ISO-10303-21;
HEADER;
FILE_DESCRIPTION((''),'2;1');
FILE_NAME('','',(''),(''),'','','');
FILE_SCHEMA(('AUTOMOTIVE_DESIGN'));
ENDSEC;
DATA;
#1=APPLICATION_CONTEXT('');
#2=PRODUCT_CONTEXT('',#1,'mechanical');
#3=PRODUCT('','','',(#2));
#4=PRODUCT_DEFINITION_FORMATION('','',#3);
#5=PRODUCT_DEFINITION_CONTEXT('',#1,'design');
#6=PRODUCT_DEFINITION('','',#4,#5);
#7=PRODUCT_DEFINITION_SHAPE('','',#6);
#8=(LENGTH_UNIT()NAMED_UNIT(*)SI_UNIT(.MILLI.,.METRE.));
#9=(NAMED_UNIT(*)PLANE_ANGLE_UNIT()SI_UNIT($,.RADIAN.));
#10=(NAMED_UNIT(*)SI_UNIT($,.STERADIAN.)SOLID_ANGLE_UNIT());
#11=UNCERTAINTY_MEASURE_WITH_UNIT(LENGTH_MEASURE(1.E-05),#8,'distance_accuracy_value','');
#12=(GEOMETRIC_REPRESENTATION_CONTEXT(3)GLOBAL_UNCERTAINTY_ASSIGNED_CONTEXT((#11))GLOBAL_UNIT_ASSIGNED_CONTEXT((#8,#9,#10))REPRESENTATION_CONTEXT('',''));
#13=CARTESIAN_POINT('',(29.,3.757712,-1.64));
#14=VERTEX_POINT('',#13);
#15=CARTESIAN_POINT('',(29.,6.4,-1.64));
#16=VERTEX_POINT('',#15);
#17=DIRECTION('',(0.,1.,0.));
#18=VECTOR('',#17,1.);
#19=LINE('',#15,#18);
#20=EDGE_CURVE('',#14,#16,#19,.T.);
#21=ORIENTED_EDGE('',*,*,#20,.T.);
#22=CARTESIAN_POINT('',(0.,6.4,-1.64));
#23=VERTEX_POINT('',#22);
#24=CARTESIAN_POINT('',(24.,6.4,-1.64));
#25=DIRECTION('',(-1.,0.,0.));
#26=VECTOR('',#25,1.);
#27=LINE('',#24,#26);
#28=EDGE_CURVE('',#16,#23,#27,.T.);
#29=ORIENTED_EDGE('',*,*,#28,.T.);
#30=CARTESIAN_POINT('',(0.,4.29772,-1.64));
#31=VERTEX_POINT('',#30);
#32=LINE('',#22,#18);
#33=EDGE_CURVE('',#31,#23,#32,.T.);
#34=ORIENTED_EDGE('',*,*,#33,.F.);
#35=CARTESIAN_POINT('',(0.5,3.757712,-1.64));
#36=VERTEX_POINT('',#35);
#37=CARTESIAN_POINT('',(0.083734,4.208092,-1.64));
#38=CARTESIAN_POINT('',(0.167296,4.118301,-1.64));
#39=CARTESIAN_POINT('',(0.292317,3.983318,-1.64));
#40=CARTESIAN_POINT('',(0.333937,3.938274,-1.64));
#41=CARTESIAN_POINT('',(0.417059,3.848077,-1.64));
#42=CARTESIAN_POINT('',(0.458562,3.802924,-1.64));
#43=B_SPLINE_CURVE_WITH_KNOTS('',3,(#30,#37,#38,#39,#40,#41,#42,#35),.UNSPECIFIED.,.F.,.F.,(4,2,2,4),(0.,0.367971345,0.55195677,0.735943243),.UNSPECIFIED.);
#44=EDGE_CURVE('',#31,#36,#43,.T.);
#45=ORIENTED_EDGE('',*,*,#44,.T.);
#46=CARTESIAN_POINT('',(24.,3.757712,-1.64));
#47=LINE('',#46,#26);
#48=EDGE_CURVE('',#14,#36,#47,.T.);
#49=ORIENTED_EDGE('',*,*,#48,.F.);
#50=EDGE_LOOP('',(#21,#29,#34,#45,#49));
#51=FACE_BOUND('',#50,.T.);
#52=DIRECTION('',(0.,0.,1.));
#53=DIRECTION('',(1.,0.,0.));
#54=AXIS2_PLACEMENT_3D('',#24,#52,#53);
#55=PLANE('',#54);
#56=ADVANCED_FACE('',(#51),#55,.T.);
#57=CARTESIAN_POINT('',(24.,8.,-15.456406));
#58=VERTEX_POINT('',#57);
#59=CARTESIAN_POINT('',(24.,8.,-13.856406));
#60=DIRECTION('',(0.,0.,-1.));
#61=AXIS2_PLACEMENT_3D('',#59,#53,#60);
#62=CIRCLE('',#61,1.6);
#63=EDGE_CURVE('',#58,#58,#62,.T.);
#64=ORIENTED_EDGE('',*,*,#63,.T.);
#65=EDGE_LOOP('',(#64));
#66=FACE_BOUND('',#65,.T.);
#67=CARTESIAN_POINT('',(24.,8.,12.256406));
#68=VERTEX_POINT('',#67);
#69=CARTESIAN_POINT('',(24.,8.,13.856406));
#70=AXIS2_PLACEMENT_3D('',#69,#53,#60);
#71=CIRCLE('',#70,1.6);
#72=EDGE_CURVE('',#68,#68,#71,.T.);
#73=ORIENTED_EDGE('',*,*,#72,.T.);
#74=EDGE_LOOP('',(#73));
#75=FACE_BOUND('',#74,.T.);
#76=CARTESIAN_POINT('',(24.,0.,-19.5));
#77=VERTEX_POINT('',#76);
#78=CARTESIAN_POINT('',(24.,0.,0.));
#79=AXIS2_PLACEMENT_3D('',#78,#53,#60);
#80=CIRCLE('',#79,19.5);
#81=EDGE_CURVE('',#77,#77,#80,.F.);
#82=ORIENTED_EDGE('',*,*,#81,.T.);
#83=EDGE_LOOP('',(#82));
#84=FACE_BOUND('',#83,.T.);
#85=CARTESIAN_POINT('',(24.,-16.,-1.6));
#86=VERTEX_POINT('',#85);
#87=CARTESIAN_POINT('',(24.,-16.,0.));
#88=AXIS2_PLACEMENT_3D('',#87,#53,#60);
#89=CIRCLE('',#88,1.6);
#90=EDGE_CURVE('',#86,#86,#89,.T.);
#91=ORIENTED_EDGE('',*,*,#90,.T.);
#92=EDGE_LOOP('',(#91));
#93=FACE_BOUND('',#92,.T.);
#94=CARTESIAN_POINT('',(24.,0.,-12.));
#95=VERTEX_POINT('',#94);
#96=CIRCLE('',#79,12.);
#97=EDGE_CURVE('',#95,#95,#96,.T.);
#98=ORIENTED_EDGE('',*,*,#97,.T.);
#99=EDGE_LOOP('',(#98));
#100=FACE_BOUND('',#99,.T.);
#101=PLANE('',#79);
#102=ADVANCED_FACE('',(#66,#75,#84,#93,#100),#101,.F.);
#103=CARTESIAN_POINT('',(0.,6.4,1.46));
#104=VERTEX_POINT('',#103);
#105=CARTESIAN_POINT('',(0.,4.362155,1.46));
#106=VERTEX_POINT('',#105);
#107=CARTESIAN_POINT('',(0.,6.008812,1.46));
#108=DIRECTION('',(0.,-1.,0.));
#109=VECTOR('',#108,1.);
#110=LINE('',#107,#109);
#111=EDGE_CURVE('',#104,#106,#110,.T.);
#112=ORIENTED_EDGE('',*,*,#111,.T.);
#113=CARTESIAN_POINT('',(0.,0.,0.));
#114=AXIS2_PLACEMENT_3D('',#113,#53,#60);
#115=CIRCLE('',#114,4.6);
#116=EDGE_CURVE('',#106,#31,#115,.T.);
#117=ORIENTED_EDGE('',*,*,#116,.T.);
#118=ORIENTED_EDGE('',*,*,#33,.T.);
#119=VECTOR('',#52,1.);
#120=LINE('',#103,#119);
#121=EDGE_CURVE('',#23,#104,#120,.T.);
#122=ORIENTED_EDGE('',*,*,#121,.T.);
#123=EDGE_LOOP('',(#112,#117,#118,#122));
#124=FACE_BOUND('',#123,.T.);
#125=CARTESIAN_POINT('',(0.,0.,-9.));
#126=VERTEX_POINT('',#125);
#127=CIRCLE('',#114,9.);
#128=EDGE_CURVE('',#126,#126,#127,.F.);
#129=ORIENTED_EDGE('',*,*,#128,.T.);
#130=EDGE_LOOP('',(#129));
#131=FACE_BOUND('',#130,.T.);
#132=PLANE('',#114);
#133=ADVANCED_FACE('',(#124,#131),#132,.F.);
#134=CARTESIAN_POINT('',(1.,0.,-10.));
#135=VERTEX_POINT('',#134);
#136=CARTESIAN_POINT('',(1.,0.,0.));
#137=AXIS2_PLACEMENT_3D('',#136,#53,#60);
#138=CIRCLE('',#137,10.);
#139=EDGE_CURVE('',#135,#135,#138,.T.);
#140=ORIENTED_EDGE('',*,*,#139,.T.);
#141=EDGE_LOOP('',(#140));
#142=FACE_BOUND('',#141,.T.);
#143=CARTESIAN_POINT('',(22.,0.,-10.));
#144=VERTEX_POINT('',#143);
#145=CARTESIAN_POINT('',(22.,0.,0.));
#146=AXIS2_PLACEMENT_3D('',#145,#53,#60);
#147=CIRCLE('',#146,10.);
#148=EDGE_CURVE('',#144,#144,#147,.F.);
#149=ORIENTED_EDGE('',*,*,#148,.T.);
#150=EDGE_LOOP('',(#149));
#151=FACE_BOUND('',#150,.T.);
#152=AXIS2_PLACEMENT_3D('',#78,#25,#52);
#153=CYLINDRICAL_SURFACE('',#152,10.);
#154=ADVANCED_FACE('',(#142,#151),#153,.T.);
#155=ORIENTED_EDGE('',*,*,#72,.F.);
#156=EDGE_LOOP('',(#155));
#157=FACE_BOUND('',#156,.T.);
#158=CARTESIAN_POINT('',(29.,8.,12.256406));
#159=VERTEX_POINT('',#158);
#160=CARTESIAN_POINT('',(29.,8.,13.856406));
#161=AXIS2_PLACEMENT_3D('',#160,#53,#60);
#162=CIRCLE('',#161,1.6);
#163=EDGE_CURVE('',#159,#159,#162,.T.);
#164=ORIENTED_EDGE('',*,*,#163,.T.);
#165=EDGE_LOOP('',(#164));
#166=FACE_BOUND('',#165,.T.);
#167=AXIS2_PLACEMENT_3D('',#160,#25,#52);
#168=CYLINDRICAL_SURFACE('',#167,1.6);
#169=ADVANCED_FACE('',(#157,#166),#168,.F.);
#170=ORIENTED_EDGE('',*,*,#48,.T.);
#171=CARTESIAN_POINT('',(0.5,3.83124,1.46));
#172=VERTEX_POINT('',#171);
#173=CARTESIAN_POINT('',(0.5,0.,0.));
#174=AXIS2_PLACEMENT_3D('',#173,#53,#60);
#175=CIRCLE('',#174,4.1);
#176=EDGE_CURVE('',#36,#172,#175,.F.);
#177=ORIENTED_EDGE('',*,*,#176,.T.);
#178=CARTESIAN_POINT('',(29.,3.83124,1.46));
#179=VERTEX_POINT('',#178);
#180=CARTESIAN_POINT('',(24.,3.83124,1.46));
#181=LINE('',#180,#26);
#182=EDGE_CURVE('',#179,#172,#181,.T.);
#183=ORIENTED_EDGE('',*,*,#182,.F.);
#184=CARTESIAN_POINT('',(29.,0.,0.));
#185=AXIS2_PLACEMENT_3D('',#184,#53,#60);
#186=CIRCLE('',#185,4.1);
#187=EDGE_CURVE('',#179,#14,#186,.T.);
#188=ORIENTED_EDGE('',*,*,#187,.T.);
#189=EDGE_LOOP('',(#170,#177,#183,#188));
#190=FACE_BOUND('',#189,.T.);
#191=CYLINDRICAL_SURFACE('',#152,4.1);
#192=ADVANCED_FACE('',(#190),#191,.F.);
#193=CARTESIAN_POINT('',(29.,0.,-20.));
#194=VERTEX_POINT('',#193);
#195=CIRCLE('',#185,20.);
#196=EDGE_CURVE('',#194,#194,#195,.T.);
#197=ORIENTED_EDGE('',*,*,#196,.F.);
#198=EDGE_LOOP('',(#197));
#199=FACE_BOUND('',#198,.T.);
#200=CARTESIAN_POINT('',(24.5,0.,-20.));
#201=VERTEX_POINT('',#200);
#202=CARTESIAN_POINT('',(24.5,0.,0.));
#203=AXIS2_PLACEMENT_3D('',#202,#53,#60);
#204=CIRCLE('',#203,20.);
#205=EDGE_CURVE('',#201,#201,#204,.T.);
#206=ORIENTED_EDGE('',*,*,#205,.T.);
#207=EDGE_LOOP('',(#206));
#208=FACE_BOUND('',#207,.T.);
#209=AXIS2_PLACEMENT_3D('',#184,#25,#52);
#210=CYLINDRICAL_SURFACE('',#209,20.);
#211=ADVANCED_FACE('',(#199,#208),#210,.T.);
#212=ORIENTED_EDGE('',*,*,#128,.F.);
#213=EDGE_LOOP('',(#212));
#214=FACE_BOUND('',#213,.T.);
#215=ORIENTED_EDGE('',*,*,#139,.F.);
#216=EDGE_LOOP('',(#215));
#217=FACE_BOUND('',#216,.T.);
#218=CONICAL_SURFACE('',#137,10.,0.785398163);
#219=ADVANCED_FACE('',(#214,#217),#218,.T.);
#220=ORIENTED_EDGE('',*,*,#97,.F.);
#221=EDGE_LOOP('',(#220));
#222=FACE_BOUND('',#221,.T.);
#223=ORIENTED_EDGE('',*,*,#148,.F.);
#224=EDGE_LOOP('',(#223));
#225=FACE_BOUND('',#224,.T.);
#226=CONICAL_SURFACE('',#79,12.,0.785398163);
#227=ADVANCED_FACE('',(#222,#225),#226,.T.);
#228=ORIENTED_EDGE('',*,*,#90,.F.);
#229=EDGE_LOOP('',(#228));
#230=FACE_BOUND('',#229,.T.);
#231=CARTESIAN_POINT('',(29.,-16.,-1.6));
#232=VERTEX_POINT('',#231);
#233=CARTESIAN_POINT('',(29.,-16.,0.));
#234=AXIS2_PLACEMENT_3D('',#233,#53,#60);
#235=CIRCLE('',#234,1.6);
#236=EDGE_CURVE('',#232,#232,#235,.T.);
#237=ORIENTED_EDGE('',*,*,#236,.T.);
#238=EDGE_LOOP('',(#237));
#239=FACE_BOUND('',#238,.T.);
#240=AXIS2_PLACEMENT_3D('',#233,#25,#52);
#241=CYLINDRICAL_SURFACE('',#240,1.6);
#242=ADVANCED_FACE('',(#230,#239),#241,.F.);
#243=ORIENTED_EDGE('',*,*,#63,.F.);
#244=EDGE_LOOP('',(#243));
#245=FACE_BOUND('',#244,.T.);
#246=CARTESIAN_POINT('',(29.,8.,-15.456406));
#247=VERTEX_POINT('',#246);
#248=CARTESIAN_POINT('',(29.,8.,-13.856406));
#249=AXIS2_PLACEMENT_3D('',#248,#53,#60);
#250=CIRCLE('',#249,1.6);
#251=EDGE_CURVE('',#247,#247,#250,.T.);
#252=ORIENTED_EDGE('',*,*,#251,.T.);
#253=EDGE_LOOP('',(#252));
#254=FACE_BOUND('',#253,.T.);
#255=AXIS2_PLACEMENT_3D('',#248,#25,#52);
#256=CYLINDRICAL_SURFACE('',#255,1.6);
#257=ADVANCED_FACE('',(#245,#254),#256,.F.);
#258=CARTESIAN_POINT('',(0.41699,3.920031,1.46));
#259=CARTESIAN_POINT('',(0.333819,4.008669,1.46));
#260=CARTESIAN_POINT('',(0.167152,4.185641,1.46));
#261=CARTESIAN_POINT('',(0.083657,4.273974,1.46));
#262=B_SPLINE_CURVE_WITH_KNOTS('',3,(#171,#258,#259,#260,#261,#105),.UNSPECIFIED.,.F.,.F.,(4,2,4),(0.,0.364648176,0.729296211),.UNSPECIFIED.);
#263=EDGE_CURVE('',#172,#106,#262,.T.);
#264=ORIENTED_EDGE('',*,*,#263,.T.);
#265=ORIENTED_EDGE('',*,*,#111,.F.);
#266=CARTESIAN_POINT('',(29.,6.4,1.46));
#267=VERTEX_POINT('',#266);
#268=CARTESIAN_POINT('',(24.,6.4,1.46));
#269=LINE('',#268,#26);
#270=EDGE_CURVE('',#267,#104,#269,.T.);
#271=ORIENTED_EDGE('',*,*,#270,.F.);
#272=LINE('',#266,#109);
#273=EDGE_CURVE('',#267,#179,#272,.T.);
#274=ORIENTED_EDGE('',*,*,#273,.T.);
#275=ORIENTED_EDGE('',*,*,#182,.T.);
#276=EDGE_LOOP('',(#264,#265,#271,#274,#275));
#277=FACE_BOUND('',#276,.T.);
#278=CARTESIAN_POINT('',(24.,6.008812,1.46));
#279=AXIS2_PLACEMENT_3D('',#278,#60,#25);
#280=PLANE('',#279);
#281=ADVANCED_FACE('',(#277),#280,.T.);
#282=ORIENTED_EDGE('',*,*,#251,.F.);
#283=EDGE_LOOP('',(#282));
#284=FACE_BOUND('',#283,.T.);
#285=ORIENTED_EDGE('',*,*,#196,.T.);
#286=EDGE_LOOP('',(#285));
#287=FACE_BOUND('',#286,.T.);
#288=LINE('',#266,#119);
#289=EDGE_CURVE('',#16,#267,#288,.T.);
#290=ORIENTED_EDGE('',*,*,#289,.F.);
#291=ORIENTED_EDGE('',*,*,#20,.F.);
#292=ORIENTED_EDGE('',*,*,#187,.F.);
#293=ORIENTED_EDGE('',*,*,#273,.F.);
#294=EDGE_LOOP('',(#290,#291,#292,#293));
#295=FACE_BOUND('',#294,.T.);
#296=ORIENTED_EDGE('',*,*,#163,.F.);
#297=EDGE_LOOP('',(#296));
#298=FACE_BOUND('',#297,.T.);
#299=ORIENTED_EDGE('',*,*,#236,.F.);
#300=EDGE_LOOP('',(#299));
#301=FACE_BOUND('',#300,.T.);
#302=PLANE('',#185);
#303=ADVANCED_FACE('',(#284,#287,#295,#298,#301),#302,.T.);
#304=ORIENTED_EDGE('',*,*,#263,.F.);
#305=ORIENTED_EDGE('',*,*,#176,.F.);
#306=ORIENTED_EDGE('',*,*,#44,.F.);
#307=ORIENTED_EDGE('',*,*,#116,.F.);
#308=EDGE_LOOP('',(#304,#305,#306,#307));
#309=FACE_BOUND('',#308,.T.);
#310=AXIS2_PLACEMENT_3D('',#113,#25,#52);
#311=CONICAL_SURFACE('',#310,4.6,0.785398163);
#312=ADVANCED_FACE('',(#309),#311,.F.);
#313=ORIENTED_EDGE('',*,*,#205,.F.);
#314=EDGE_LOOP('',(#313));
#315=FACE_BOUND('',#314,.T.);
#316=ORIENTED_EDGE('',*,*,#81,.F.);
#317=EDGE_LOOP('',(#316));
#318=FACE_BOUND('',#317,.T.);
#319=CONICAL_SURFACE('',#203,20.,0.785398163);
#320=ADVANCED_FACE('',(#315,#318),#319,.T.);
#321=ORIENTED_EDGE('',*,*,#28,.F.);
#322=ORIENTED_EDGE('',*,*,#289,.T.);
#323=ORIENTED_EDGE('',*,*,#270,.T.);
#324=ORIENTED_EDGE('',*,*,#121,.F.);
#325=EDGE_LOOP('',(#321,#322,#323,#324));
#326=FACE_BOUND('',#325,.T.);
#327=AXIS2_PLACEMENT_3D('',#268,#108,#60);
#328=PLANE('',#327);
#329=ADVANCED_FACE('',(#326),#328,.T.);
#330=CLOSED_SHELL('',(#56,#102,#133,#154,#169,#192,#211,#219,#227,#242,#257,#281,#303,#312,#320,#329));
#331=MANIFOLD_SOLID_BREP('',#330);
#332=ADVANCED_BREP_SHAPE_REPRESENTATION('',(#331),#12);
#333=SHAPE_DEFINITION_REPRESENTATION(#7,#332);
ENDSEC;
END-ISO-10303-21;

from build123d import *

# Parameters (mm, degrees)
SKETCH_1_R          = 10
EXTRUDE_1_DEPTH     = 24
SKETCH_2_R          = 20
SKETCH_2_R_2        = 1.6
EXTRUDE_2_DEPTH     = 5
CUT_EXTRUDE_1_REACH = 42.509
CHAMFER_1_SIZE      = 0.5
CHAMFER_2_SIZE      = 1
CHAMFER_3_SIZE      = 0.5
CHAMFER_4_SIZE      = 2


with BuildPart() as part:
    # 草图1 → 凸台-拉伸1 (new body)
    with BuildSketch(Plane(origin=(0, 0, 0), x_dir=(0, 0, -1), z_dir=(1, 0, 0))):
        Circle(SKETCH_1_R)
        with BuildLine():
            Line((-1.46, 6.008811728), (-1.46, 6.4))
            Line((-1.46, 6.4), (1.64, 6.4))
            Line((1.64, 6.4), (1.64, 6.008811728))
            Line((1.64, 6.008811728), (1.64, 3.75771207))
            ThreePointArc((1.64, 3.75771207), (-0.097219285, -4.098847205), (-1.46, 3.831240008))
            Line((-1.46, 3.831240008), (-1.46, 6.008811728))
        make_face(mode=Mode.SUBTRACT)
    extrude(amount=EXTRUDE_1_DEPTH)

    # 草图2 → 凸台-拉伸2 (add)
    with BuildSketch(Plane(origin=(24, 0, 0), x_dir=(0, 0, -1), z_dir=(1, 0, 0))):
        Circle(SKETCH_2_R)
        with Locations((-13.856406461, 8)):
            Circle(SKETCH_2_R_2, mode=Mode.SUBTRACT)
        with Locations((13.856406461, 8)):
            Circle(SKETCH_2_R_2, mode=Mode.SUBTRACT)
        with Locations((0, -16)):
            Circle(SKETCH_2_R_2, mode=Mode.SUBTRACT)
    extrude(amount=EXTRUDE_2_DEPTH)

    # 草图5 → 切除-拉伸1 (cut, up to next)
    with BuildSketch(Plane(origin=(29, 0, 0), x_dir=(0, 0, -1), z_dir=(1, 0, 0)), mode=Mode.PRIVATE) as cut_extrude_1_sk1:
        with BuildLine():
            Line((-1.46, 6.4), (-1.46, 3.831240008))
            ThreePointArc((-1.46, 3.831240008), (-0.097219285, -4.098847205), (1.64, 3.75771207))
            Line((1.64, 3.75771207), (1.64, 6.4))
            Line((1.64, 6.4), (-1.46, 6.4))
        make_face()
    cut_extrude_1_tool1 = extrude(cut_extrude_1_sk1.sketch, amount=-CUT_EXTRUDE_1_REACH, mode=Mode.PRIVATE) & part.part
    add(cut_extrude_1_tool1.solids().sort_by_distance((29, 0.642064, -0.012064))[0], mode=Mode.SUBTRACT)

    # 倒角1
    chamfer_1_edges = [part.edges().sort_by_distance(p)[0] for p in [
        (0, -4.098847205, 0.097219285),
    ]]
    chamfer(chamfer_1_edges, length=CHAMFER_1_SIZE)

    # 倒角2
    chamfer_2_edges = [part.edges().sort_by_distance(p)[0] for p in [
        (0, 0, 10),
    ]]
    chamfer(chamfer_2_edges, length=CHAMFER_2_SIZE)

    # 倒角3
    chamfer_3_edges = [part.edges().sort_by_distance(p)[0] for p in [
        (24, 0, 20),
    ]]
    chamfer(chamfer_3_edges, length=CHAMFER_3_SIZE)

    # 倒角4
    chamfer_4_edges = [part.edges().sort_by_distance(p)[0] for p in [
        (24, 0, 10),
    ]]
    chamfer(chamfer_4_edges, length=CHAMFER_4_SIZE)


solid = part.part
